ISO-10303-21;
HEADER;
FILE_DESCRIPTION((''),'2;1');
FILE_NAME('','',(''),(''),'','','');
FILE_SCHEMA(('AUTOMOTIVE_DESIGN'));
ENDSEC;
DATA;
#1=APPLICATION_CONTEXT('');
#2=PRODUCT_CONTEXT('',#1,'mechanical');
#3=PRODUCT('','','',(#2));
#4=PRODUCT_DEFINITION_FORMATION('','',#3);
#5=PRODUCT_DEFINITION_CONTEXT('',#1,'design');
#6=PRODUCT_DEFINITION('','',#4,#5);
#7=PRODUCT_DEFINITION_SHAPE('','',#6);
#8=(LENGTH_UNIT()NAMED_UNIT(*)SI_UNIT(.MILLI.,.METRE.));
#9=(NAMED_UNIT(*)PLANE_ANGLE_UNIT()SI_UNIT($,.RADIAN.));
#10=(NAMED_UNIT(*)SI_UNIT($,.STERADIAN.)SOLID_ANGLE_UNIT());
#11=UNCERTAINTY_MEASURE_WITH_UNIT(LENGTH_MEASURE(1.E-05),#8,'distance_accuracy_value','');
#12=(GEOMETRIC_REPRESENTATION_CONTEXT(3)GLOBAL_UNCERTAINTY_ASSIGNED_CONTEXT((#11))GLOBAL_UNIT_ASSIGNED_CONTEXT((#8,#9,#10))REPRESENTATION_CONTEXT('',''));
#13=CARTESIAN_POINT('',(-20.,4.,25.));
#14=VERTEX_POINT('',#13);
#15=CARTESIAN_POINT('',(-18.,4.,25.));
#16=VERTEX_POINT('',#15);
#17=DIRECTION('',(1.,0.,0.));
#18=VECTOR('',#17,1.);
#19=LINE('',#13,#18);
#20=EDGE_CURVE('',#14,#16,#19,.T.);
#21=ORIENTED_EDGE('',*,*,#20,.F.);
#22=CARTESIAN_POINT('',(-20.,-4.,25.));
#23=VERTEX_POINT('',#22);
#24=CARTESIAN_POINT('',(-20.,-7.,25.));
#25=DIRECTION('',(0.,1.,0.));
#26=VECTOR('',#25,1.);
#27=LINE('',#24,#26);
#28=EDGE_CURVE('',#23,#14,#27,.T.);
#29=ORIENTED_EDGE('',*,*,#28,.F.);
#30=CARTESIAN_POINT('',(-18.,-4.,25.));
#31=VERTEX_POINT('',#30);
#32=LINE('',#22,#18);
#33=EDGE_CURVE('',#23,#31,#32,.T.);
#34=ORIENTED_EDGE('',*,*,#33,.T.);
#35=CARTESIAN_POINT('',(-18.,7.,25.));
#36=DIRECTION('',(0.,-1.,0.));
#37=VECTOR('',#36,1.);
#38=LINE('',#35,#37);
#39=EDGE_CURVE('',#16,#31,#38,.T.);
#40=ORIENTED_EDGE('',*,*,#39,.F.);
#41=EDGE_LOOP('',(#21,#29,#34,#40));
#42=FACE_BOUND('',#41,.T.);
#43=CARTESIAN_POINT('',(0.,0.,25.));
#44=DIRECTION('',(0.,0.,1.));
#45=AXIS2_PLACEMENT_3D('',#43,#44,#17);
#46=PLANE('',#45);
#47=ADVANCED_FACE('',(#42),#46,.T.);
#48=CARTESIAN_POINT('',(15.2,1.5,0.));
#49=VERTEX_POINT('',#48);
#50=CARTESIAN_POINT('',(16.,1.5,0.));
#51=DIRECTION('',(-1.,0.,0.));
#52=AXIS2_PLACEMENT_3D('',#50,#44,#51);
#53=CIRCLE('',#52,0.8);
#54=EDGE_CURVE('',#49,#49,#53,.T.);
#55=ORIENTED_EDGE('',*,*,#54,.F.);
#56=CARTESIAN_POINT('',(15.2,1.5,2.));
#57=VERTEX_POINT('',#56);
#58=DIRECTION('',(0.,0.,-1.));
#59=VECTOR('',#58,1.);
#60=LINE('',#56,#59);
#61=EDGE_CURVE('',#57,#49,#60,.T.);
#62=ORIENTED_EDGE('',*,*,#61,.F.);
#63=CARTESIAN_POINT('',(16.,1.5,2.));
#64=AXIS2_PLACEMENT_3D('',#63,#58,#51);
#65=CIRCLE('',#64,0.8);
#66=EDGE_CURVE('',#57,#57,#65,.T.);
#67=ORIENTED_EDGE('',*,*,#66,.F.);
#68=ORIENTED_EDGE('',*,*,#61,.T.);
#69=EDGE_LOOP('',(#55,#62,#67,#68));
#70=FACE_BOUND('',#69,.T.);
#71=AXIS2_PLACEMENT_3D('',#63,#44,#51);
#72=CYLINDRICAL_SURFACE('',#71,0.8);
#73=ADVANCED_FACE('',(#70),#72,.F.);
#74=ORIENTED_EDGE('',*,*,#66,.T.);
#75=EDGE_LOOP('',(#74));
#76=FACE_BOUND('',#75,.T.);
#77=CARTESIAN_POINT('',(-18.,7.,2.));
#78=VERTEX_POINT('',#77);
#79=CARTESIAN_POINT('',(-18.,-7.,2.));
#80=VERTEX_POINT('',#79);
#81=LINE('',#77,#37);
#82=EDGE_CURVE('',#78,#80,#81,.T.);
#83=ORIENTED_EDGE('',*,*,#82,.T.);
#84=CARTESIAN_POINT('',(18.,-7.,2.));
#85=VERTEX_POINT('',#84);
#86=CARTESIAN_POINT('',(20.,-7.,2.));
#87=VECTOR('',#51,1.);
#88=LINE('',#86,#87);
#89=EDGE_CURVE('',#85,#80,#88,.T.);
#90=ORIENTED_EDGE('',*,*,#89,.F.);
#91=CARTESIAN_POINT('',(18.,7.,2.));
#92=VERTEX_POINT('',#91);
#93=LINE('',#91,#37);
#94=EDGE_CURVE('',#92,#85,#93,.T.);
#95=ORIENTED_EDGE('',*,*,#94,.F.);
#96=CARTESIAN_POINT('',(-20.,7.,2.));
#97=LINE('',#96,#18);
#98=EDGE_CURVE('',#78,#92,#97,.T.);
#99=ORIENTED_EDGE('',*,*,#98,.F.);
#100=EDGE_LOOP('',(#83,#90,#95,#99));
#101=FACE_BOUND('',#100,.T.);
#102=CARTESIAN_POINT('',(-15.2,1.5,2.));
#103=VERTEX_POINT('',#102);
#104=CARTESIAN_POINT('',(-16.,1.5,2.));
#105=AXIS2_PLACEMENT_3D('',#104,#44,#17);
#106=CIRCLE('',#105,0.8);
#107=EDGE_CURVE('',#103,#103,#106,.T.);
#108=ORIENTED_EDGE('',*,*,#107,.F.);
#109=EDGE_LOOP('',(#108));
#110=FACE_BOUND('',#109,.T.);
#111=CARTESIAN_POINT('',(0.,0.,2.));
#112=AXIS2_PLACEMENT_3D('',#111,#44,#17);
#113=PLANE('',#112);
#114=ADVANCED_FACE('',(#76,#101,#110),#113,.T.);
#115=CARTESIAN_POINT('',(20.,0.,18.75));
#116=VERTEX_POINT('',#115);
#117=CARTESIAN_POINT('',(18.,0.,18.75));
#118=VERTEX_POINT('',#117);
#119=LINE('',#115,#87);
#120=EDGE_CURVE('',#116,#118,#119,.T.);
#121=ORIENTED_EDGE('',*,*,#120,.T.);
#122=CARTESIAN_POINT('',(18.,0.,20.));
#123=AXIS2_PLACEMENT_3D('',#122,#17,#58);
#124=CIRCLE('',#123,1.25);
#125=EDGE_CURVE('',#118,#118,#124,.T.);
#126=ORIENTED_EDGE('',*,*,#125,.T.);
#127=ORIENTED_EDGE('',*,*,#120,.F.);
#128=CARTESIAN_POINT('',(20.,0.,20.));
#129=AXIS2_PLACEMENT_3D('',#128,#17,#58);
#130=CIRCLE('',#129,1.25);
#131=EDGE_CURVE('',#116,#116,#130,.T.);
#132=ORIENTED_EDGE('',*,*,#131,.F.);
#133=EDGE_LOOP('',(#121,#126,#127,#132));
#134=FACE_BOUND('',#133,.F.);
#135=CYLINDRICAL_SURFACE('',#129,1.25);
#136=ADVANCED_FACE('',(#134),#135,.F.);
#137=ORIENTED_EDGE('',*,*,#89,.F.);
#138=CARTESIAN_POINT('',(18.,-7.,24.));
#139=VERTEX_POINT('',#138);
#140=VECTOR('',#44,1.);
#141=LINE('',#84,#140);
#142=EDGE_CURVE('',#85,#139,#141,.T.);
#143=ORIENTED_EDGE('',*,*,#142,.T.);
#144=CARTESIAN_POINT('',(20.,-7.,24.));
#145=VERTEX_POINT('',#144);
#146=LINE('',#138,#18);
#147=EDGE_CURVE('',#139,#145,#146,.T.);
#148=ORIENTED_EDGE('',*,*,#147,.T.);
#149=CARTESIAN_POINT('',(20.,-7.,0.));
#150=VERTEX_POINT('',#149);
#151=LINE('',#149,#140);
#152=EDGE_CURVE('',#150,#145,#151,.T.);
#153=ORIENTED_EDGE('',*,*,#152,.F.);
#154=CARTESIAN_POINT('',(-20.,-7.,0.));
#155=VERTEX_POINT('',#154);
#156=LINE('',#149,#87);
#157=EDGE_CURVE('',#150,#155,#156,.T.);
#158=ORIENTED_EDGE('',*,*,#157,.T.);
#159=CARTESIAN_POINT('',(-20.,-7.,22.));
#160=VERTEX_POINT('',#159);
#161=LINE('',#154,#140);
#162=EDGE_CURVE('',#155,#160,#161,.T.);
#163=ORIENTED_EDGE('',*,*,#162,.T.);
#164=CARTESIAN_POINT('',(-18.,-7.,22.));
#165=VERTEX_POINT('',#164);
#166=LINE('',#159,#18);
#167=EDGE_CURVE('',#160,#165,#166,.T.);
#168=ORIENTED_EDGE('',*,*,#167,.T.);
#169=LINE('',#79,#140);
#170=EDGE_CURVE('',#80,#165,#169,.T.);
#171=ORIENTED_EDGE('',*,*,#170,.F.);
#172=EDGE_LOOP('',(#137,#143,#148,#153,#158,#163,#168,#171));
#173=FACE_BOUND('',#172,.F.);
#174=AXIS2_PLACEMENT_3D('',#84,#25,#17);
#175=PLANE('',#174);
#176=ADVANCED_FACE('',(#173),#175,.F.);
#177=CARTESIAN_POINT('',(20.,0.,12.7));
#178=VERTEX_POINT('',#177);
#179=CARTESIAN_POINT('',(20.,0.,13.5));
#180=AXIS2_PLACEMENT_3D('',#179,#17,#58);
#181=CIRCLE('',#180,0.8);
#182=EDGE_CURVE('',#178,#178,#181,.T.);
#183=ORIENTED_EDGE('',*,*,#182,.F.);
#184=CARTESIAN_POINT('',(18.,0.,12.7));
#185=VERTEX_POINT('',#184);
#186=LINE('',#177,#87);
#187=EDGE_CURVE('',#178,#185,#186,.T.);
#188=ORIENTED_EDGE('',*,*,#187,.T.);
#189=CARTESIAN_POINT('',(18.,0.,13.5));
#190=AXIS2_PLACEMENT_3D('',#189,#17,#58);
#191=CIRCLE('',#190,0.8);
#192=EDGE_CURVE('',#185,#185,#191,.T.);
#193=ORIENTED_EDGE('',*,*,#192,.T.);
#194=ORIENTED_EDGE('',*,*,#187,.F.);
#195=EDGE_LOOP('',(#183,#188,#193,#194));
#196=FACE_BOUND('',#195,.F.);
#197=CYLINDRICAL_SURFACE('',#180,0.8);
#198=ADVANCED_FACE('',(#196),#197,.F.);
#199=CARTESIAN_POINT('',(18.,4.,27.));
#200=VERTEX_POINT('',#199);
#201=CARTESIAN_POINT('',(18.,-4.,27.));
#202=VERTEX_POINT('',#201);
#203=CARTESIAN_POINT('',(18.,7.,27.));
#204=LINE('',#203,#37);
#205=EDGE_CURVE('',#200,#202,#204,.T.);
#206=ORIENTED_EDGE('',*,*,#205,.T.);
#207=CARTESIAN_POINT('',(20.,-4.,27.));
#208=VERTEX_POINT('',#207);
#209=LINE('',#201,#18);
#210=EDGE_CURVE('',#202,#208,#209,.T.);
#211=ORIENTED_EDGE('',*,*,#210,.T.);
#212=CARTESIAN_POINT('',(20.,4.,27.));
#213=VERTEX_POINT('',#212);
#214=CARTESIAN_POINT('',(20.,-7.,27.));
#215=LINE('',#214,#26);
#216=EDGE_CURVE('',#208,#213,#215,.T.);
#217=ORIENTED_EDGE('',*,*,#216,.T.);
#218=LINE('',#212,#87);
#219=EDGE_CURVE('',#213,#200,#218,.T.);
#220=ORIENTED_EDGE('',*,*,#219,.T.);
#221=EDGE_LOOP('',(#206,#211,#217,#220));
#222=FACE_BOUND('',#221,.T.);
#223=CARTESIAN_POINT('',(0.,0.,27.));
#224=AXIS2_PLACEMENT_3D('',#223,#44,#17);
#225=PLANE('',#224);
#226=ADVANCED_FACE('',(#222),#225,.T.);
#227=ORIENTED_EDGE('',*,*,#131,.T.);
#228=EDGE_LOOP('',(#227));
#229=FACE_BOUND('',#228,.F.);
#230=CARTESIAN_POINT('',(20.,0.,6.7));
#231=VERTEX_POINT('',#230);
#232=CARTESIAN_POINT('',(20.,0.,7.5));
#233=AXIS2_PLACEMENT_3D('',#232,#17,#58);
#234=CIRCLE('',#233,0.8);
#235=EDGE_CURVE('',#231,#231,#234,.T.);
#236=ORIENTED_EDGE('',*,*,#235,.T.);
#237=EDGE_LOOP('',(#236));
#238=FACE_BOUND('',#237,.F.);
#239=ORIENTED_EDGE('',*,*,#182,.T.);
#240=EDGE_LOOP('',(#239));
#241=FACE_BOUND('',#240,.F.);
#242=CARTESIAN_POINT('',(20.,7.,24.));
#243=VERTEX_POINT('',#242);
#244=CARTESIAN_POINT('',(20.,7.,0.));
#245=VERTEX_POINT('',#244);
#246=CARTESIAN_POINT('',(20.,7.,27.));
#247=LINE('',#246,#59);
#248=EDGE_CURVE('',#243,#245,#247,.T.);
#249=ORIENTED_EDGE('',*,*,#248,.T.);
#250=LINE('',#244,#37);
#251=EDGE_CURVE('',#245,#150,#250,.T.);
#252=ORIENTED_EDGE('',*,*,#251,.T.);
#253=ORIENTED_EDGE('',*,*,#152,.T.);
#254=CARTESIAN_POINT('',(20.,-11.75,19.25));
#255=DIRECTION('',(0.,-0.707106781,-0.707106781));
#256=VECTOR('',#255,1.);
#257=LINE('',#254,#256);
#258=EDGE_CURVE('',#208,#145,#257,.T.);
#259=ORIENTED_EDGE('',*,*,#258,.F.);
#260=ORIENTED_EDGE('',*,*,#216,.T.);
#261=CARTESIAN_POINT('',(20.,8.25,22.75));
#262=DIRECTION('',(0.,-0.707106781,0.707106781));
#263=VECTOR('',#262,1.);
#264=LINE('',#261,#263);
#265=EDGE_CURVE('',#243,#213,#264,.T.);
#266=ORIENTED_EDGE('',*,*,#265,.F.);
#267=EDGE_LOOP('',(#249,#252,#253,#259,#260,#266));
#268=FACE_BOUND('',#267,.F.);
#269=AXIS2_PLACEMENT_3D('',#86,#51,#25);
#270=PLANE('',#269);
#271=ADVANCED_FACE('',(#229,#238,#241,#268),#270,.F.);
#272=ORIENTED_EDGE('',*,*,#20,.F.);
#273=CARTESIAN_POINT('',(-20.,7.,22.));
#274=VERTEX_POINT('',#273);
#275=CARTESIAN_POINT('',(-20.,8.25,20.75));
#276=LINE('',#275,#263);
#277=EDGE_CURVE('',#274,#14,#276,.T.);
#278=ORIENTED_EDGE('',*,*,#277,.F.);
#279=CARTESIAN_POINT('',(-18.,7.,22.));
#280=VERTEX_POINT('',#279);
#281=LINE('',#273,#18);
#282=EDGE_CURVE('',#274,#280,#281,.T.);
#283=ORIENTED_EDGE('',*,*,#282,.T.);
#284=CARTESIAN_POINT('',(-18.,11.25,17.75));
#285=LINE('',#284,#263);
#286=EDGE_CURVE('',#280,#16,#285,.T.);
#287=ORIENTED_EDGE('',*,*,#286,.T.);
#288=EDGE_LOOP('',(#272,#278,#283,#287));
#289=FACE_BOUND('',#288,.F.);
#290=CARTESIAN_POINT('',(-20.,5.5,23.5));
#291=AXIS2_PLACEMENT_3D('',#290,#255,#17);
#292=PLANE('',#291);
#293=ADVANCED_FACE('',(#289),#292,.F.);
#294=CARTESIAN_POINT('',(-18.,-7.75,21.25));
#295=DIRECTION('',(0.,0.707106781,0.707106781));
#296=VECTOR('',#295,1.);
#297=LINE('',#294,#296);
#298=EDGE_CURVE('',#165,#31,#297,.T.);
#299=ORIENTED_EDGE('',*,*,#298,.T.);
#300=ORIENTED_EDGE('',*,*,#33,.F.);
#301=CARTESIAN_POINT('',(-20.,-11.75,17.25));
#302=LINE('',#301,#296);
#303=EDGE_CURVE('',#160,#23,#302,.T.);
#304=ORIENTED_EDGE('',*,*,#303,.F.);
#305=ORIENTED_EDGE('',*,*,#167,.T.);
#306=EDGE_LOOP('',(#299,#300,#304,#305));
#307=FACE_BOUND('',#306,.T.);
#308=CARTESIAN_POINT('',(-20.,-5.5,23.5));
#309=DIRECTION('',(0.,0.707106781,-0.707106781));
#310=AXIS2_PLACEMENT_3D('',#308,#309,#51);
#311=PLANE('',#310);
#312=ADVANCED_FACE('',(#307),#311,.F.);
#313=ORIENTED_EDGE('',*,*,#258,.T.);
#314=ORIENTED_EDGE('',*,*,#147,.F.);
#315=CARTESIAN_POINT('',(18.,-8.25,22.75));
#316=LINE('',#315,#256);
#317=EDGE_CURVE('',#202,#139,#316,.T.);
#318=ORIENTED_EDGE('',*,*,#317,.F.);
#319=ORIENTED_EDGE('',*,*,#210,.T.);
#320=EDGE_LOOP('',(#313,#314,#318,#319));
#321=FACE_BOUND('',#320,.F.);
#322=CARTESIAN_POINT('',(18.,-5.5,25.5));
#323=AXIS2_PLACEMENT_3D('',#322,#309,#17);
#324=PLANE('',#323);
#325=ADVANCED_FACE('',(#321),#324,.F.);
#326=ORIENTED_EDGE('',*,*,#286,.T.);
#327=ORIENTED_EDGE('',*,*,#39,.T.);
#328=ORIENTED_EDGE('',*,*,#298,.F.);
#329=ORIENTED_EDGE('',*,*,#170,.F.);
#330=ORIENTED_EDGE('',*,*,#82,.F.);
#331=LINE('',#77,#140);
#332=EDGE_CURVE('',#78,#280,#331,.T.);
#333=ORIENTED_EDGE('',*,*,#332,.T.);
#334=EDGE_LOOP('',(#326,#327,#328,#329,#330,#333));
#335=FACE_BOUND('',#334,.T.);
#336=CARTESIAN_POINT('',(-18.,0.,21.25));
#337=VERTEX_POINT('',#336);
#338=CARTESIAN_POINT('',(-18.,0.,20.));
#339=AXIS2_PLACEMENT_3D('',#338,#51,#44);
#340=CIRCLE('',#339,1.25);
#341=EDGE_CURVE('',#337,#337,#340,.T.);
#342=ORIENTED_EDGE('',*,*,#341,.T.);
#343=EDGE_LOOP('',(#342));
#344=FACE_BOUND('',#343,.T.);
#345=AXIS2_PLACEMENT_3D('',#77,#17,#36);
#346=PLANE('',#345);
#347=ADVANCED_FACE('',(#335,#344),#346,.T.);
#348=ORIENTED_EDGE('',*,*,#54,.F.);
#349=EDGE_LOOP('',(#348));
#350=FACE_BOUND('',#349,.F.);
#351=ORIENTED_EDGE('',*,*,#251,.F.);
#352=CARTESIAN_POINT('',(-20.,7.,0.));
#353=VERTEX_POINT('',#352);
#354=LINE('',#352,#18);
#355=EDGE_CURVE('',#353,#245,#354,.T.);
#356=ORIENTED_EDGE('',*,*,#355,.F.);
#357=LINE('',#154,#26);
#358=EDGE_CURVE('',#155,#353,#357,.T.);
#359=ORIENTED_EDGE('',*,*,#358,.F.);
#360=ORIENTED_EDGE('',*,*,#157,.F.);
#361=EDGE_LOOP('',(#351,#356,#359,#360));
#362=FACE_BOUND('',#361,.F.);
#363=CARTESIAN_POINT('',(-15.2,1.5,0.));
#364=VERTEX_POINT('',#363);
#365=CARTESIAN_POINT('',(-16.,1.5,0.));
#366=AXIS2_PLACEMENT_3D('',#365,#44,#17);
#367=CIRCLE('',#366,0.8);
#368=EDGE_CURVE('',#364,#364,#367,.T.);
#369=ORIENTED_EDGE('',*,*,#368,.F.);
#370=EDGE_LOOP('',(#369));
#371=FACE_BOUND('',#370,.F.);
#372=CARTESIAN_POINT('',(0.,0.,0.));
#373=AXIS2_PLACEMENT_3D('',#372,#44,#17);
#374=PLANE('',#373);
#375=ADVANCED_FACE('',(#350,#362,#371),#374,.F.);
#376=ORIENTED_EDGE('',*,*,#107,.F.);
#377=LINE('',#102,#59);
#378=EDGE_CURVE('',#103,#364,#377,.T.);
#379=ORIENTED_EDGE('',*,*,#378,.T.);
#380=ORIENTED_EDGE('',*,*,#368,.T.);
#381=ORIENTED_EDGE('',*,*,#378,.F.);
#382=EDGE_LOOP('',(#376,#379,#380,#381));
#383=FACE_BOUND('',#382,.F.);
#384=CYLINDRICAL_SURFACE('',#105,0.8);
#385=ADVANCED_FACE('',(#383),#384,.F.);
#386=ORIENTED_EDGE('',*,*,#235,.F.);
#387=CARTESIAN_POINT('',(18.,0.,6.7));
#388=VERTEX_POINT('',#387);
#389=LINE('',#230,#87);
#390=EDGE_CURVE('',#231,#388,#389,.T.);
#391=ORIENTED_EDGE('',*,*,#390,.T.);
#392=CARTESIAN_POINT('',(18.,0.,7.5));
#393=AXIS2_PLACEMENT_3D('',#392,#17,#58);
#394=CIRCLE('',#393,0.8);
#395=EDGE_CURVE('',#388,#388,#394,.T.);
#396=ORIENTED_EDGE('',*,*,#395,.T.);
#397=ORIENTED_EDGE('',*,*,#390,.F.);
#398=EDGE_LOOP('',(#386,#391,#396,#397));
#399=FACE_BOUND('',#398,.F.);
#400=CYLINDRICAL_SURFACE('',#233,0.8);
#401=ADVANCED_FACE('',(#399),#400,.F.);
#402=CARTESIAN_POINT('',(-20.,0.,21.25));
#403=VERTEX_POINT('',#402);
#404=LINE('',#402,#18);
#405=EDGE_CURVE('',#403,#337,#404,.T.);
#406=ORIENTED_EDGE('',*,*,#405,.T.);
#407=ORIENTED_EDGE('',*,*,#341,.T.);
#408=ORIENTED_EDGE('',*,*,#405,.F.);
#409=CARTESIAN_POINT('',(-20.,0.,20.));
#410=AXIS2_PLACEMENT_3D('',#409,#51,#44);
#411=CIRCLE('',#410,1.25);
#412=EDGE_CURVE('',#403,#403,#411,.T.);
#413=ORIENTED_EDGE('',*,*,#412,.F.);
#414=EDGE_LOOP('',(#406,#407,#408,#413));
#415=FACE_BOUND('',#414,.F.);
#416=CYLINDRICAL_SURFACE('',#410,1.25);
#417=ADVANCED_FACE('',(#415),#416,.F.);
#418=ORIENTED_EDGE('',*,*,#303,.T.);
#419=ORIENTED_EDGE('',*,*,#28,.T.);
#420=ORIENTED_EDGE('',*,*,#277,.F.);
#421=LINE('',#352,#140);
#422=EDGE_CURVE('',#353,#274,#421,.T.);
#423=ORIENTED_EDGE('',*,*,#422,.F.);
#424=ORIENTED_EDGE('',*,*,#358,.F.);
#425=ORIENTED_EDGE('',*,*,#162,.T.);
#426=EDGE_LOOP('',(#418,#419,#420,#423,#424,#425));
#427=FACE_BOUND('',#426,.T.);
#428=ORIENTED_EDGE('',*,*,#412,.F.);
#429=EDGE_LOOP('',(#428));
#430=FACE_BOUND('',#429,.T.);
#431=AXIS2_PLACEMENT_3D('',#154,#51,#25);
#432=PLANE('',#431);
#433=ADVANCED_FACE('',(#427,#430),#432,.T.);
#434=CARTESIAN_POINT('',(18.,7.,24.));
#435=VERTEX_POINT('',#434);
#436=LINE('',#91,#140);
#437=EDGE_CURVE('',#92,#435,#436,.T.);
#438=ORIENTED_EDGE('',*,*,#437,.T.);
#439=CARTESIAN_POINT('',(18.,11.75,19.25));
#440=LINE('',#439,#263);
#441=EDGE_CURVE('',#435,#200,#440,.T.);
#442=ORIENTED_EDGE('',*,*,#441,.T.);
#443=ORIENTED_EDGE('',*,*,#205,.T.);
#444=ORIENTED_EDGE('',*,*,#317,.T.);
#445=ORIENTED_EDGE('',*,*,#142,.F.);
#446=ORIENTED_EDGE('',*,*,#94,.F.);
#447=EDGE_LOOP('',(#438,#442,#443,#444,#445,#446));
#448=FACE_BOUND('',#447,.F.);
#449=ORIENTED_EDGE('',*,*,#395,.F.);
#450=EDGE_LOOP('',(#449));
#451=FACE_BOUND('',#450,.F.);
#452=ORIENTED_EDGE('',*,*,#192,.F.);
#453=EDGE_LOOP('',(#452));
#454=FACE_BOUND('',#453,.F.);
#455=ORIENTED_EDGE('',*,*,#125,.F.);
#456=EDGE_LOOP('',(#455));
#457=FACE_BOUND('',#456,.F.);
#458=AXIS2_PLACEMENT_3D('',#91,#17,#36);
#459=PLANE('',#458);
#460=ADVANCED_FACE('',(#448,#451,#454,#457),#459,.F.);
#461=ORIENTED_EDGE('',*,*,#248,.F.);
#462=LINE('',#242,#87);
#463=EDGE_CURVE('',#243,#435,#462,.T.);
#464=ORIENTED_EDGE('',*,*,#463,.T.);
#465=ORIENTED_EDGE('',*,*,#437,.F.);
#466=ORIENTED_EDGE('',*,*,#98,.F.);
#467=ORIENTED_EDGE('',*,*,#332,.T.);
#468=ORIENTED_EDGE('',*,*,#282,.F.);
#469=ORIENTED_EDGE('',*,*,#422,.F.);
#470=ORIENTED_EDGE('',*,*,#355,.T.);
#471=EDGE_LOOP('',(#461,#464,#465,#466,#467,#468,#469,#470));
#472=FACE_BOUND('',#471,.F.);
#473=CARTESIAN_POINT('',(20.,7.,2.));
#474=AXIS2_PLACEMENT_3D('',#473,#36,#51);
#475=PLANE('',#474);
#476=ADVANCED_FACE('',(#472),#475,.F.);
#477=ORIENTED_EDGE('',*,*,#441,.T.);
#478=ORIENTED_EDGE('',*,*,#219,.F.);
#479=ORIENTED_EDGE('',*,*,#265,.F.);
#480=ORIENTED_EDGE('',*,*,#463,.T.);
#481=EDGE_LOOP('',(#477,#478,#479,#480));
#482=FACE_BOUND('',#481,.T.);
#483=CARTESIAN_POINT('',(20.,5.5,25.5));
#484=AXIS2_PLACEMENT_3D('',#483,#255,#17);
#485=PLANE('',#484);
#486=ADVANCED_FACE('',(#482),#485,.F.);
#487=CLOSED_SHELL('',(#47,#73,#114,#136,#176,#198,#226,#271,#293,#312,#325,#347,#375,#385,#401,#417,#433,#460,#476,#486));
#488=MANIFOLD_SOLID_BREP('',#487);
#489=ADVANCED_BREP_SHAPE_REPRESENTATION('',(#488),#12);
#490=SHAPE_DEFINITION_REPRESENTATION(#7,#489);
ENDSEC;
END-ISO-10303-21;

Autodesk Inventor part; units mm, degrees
ref_plane "YZ Plane" through (0, 0, 0) normal (1, 0, 0) x (0, 1, 0)
ref_plane "XZ Plane" through (0, 0, 0) normal (0, 1, 0) x (-1, 0, 0)
ref_plane "XY Plane" through (0, 0, 0) normal (0, 0, 1) x (1, 0, 0)
sketch "スケッチ1" plane through (0, 0, 0) normal (0, 0, 1) x (1, 0, 0)
  line L0 (-20, 7) -> (20, 7)
  line L1 (20, 7) -> (20, -7)
  line L2 (20, -7) -> (-20, -7)
  line L3 (-20, -7) -> (-20, 7)
  line L4 (-28, 0) -> (28, 0) construction
  line L5 (0, -9.8) -> (0, 9.8) construction
  point P0 (0, 0)
  dimension "d0" = 40
  dimension "d1" = 14
  dimension "d2" = 20
  dimension "d3" = 7
extrude "押し出し1" add sketch "スケッチ1" along normal blind 2
sketch "スケッチ2" plane through (0, 0, 2) normal (0, 0, 1) x (1, 0, 0)
  line L0 (-20, -7) -> (20, -7) projected
  line L1 (-20, 7) -> (-18, 7)
  line L2 (-18, 7) -> (-18, -7)
  line L3 (-18, -7) -> (-20, -7)
  line L4 (-20, -7) -> (-20, 7)
  point P0 (0, 0)
  dimension "d6" = 2
extrude "押し出し2" add sketch "スケッチ2" along normal blind 23
sketch "スケッチ3" plane through (0, 0, 2) normal (0, 0, 1) x (1, 0, 0)
  line L0 (-18, -7) -> (20, -7) projected
  line L1 (20, 7) -> (18, 7)
  line L2 (18, 7) -> (18, -7)
  line L3 (18, -7) -> (20, -7)
  line L4 (20, -7) -> (20, 7)
  point P0 (0, 0)
  dimension "d9" = 2
extrude "押し出し3" add sketch "スケッチ3" along normal blind 25
sketch "スケッチ4" plane through (20, -7, 0) normal (1, 0, 0) x (0, 0, -1)
  line L0 (-27, 0) -> (-27, 14) projected
  circle A0 centre (-20, 7) radius 1.25
  point P0 (0, 7)
  dimension "d12" = 2.5
  dimension "d13" = 7
extrude "押し出し4" cut sketch "スケッチ4" against normal blind 27
sketch "スケッチ5" plane through (20, -7, 0) normal (1, 0, 0) x (0, 0, -1)
  circle A0 centre (-20, 7) radius 1.25 projected
  circle A1 centre (-13.5, 7) radius 0.8
  point P0 (0, 7)
  dimension "d16" = 1.6
  dimension "d17" = 6.5
extrude "押し出し5" cut sketch "スケッチ5" against normal blind 27 contours A1
sketch "スケッチ6" plane through (20, -7, 0) normal (1, 0, 0) x (0, 0, -1)
  circle A0 centre (-20, 7) radius 1.25 projected
  circle A1 centre (-7.5, 7) radius 0.8
  point P0 (0, 7)
  dimension "d20" = 1.6
  dimension "d21" = 12.5
extrude "押し出し6" cut sketch "スケッチ6" against normal blind 27 contours A1
sketch "スケッチ7" plane through (-20, -7, 0) normal (-1, 0, 0) x (0, 0, 1)
  circle A0 centre (20, 7) radius 1.25 projected
  circle A1 centre (20, 7) radius 1.25
  point P0 (0, 7)
  dimension "d24" = 2.5
extrude "押し出し7" cut sketch "スケッチ7" against normal blind 27
sketch "スケッチ8" plane through (0, 0, 2) normal (0, 0, 1) x (1, 0, 0)
  circle A0 centre (-16, 1.5) radius 0.8
  line L0 (-18, -7) -> (18, -7) projected
  line L1 (0, -9.8) -> (0, 9.8) construction
  line L2 (-20, 7) -> (-20, -7) projected
  point P0 (0, 0)
  dimension "d27" = 1.6
  dimension "d37" = 8.5
  dimension "d39" = 4
extrude "押し出し8" cut sketch "スケッチ8" against normal blind 27
mirror "ミラー1" about plane through (0, 0, 0) normal (1, 0, 0) of "押し出し8"
chamfer "面取り1" [suppressed]
chamfer "面取り2" distance 3 angle 45 4 edges at (-19, -7, 25) (-19, 7, 25) (19, 7, 27) (19, -7, 27)
sketch "スケッチ9" plane through (0, 0, 0) normal (0, 0, -1) x (-1, 0, 0)
  line L0 (-20, -7) -> (20, -7) projected
  point P0 (0, 0)
  point P1 (-17, 1)
  dimension "d40" = 8
  dimension "d41" = 17
equation "\"d2\" = 0.5 * d0"
equation "\"d3\" = 0.5 * d1"
properties part number "face"
